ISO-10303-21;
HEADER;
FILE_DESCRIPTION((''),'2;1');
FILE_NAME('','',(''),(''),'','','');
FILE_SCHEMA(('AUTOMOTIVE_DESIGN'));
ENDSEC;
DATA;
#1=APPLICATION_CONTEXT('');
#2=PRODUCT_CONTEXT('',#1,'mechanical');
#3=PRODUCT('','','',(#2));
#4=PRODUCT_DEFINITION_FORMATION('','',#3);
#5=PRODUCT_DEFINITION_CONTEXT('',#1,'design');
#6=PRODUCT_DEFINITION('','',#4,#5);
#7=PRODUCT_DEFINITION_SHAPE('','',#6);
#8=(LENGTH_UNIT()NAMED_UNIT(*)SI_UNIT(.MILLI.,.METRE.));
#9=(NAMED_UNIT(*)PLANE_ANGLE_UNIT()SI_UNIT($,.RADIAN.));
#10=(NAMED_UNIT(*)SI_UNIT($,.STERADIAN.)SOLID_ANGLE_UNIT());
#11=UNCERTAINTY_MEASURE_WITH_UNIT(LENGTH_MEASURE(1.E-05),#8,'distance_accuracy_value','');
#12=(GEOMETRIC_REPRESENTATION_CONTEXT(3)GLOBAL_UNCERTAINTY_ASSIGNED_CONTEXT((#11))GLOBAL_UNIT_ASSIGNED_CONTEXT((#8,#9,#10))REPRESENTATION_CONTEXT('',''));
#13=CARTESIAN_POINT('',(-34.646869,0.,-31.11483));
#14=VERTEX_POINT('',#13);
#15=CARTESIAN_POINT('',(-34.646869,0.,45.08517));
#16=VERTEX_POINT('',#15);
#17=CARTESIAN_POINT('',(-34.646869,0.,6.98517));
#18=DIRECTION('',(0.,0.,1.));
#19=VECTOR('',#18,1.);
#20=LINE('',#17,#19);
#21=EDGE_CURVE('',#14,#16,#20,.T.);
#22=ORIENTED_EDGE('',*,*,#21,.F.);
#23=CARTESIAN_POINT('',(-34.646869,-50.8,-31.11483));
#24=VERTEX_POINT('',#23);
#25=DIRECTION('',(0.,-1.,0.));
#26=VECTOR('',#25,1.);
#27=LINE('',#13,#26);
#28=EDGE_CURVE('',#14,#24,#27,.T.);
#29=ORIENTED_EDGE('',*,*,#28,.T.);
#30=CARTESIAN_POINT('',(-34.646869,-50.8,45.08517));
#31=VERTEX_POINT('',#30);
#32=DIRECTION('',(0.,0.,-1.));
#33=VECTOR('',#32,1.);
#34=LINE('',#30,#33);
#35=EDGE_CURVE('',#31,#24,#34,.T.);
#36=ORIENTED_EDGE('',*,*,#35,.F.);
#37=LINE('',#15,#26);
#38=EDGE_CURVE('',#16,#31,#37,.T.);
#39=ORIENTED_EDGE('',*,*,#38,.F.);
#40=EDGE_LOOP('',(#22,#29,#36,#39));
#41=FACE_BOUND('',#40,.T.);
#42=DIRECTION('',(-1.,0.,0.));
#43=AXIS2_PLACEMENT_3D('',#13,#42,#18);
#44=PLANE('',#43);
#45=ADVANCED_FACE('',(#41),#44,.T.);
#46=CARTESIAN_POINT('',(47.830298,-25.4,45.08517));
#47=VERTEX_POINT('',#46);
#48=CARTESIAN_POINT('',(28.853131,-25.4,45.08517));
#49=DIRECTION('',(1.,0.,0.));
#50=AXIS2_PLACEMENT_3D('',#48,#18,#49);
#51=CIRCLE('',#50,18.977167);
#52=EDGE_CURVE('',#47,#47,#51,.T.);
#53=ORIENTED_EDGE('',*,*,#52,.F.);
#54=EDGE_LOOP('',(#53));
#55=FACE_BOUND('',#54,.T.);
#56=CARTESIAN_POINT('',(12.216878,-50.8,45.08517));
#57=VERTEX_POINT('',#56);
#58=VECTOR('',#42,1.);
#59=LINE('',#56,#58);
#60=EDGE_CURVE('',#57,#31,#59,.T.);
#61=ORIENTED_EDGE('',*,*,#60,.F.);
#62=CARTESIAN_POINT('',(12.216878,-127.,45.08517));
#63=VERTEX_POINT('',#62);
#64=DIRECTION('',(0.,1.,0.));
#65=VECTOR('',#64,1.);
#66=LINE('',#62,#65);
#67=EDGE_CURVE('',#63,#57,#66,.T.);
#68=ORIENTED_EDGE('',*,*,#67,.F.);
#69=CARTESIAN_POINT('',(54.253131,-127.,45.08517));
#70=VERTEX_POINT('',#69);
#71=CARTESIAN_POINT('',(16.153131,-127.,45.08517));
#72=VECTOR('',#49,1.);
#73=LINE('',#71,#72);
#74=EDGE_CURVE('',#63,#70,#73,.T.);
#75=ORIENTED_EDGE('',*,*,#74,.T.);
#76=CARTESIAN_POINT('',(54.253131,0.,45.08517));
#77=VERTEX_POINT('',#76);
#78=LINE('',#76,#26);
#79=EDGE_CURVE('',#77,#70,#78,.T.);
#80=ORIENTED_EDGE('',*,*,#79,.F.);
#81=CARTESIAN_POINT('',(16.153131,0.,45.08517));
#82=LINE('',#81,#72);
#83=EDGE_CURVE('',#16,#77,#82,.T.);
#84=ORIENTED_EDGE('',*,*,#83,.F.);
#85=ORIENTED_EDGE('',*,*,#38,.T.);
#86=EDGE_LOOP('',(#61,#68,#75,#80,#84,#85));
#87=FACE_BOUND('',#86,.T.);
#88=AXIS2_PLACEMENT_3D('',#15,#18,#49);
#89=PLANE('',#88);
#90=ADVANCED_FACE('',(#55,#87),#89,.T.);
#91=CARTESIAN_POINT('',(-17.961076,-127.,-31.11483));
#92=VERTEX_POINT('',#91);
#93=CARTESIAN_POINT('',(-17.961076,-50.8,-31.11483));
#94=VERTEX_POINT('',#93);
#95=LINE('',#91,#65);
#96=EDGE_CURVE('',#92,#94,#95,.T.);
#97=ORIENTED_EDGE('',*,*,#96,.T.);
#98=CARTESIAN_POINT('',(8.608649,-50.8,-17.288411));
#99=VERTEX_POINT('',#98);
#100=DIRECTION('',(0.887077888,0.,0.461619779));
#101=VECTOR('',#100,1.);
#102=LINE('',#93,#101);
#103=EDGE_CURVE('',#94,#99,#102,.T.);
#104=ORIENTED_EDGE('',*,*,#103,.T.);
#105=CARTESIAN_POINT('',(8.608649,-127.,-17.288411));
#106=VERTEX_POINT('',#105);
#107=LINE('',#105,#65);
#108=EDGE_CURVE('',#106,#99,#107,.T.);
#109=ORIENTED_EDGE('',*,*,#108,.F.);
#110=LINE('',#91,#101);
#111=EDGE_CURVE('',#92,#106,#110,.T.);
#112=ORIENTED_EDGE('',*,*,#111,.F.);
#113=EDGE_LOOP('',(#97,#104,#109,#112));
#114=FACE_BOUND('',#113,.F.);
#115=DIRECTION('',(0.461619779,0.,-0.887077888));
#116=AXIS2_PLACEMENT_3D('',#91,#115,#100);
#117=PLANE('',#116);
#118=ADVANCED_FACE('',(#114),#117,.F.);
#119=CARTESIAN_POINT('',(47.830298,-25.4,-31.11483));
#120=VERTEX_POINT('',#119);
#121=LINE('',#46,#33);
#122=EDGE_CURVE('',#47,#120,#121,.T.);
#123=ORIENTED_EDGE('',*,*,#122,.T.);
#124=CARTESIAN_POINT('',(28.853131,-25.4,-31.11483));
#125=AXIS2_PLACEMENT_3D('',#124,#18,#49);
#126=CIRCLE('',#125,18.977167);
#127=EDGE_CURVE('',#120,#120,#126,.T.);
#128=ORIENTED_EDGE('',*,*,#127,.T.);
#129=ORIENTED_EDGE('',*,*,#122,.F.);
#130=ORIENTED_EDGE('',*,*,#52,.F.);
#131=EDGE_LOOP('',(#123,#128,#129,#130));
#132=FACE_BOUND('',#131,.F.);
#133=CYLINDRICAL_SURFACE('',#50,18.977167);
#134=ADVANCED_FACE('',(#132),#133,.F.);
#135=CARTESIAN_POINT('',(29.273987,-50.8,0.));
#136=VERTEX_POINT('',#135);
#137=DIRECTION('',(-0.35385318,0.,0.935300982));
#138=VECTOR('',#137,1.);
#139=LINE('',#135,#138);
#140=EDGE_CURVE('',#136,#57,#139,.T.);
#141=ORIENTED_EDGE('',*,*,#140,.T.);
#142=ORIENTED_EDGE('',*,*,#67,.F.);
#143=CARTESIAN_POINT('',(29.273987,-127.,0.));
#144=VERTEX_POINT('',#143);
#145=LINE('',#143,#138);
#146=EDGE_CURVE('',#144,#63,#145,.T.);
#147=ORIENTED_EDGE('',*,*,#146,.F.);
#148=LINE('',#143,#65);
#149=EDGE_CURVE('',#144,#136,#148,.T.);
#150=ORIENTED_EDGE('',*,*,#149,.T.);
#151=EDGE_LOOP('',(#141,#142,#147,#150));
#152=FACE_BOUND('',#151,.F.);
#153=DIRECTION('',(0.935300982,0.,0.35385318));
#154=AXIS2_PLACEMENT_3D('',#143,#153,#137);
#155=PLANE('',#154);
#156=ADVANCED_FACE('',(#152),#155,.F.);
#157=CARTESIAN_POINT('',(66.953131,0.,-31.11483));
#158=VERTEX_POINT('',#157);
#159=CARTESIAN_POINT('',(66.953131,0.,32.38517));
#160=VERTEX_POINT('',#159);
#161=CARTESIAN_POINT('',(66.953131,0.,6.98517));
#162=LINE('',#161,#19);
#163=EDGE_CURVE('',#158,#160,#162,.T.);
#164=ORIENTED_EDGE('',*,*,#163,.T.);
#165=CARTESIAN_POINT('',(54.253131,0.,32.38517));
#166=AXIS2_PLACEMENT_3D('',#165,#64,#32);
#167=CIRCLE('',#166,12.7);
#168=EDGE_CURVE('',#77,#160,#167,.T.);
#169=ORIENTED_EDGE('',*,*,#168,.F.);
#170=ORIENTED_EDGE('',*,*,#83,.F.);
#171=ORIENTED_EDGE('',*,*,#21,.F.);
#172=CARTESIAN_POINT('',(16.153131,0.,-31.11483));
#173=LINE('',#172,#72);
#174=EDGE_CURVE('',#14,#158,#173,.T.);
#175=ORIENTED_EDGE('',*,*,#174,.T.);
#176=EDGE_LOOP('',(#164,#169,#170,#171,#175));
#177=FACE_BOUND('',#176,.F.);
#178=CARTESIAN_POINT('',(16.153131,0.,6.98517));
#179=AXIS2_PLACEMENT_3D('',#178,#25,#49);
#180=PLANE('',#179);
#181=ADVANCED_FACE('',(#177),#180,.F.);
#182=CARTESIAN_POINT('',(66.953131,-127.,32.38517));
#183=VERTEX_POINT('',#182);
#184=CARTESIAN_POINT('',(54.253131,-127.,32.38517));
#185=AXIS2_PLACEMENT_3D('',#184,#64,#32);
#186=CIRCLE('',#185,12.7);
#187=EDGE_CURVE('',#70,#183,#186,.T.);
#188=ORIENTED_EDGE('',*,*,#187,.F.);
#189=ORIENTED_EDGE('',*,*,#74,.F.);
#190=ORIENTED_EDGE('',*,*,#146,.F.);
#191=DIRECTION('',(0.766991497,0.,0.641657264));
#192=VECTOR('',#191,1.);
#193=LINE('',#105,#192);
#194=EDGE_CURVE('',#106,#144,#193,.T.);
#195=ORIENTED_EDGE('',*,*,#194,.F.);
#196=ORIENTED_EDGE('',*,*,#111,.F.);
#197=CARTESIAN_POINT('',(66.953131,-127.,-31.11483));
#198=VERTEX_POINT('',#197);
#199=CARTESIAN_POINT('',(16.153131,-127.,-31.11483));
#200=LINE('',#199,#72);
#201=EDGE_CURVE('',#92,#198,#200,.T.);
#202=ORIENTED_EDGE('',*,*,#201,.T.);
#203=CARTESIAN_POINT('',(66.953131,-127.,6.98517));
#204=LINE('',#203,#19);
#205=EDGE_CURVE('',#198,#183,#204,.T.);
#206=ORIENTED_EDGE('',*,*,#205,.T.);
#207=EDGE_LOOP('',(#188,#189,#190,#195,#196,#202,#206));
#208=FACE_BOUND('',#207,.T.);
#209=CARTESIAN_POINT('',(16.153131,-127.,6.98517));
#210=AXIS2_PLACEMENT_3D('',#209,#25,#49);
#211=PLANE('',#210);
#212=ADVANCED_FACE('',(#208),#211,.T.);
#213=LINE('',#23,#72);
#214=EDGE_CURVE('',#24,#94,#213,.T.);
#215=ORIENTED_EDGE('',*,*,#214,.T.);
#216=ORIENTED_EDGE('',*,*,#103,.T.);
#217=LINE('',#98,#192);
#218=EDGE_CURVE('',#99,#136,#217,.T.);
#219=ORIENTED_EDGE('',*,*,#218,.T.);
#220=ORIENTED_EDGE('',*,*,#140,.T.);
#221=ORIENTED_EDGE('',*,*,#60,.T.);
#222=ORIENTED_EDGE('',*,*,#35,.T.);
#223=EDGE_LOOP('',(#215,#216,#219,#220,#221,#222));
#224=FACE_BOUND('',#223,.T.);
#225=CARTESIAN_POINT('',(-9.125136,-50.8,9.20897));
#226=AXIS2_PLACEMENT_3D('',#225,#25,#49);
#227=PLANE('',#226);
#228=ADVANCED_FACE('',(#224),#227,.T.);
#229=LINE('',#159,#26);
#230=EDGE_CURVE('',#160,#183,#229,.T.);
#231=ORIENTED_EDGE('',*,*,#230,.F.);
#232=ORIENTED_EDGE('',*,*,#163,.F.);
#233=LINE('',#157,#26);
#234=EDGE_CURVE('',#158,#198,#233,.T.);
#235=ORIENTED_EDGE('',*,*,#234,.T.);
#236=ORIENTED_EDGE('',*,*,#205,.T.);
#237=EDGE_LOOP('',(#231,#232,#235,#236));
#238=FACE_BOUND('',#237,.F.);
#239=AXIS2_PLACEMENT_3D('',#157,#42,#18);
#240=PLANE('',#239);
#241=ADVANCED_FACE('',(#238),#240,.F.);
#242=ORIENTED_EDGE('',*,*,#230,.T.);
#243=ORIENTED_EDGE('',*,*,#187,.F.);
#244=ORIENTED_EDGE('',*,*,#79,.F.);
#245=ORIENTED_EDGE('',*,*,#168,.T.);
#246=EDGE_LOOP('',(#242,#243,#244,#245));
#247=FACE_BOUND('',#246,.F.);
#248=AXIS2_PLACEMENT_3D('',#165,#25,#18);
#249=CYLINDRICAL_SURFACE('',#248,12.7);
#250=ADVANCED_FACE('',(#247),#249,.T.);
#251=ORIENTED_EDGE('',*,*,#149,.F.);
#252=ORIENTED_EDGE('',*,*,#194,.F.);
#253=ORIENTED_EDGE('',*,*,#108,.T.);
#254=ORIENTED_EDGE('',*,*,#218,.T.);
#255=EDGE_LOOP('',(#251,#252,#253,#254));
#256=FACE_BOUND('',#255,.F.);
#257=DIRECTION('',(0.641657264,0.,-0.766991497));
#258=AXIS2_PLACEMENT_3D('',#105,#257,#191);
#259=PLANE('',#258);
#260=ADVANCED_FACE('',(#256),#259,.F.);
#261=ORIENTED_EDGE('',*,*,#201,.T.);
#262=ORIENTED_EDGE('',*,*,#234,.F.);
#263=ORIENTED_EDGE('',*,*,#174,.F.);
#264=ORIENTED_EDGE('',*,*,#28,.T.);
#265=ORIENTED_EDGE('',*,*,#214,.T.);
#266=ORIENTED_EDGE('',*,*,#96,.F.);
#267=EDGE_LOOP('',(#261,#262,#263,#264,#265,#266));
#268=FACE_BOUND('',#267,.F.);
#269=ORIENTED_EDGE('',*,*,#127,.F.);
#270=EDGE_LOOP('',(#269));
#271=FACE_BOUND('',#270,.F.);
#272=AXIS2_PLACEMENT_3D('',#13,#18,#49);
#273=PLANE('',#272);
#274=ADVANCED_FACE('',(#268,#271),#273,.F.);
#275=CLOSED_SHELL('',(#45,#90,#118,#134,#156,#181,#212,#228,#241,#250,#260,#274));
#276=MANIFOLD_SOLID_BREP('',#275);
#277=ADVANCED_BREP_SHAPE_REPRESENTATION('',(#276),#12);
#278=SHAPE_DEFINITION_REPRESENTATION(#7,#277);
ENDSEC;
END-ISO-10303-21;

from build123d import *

# Parameters (mm, degrees)
F0_W     = 101.6
F0_H     = 76.2
F1_DEPTH = 127
F3_DEPTH = 76.2
F4_R     = 12.7
F5_R     = 18.977167
F6_DEPTH = 1270


with BuildPart() as f1:
    # F0 (on Front) → F1 (new body)
    with BuildSketch(Plane.XZ):
        with Locations((16.153131, 6.98517)):
            Rectangle(F0_W, F0_H)
    extrude(amount=F1_DEPTH)

    # F2 (on face) → F3 (cut)
    with BuildSketch(Plane.XZ.offset(127)):
        Polygon((12.216878, 45.08517), (-34.646869, 45.08517), (-34.646869, -31.11483), (-17.961076, -31.11483), (8.608649, -17.288411), (29.273987, 0), align=None)
    extrude(amount=-F3_DEPTH, mode=Mode.SUBTRACT)

    # F4
    f4_edges = [f1.edges().sort_by_distance(p)[0] for p in [
        (66.953131, -63.5, 45.08517),
    ]]
    fillet(f4_edges, radius=F4_R)

    # F5 (on face) → F6 (cut)
    with BuildSketch(Plane.XY.offset(45.08517)):
        with Locations((28.853131, -25.4)):
            Circle(F5_R)
    extrude(amount=-F6_DEPTH, mode=Mode.SUBTRACT)


solid = f1.part
